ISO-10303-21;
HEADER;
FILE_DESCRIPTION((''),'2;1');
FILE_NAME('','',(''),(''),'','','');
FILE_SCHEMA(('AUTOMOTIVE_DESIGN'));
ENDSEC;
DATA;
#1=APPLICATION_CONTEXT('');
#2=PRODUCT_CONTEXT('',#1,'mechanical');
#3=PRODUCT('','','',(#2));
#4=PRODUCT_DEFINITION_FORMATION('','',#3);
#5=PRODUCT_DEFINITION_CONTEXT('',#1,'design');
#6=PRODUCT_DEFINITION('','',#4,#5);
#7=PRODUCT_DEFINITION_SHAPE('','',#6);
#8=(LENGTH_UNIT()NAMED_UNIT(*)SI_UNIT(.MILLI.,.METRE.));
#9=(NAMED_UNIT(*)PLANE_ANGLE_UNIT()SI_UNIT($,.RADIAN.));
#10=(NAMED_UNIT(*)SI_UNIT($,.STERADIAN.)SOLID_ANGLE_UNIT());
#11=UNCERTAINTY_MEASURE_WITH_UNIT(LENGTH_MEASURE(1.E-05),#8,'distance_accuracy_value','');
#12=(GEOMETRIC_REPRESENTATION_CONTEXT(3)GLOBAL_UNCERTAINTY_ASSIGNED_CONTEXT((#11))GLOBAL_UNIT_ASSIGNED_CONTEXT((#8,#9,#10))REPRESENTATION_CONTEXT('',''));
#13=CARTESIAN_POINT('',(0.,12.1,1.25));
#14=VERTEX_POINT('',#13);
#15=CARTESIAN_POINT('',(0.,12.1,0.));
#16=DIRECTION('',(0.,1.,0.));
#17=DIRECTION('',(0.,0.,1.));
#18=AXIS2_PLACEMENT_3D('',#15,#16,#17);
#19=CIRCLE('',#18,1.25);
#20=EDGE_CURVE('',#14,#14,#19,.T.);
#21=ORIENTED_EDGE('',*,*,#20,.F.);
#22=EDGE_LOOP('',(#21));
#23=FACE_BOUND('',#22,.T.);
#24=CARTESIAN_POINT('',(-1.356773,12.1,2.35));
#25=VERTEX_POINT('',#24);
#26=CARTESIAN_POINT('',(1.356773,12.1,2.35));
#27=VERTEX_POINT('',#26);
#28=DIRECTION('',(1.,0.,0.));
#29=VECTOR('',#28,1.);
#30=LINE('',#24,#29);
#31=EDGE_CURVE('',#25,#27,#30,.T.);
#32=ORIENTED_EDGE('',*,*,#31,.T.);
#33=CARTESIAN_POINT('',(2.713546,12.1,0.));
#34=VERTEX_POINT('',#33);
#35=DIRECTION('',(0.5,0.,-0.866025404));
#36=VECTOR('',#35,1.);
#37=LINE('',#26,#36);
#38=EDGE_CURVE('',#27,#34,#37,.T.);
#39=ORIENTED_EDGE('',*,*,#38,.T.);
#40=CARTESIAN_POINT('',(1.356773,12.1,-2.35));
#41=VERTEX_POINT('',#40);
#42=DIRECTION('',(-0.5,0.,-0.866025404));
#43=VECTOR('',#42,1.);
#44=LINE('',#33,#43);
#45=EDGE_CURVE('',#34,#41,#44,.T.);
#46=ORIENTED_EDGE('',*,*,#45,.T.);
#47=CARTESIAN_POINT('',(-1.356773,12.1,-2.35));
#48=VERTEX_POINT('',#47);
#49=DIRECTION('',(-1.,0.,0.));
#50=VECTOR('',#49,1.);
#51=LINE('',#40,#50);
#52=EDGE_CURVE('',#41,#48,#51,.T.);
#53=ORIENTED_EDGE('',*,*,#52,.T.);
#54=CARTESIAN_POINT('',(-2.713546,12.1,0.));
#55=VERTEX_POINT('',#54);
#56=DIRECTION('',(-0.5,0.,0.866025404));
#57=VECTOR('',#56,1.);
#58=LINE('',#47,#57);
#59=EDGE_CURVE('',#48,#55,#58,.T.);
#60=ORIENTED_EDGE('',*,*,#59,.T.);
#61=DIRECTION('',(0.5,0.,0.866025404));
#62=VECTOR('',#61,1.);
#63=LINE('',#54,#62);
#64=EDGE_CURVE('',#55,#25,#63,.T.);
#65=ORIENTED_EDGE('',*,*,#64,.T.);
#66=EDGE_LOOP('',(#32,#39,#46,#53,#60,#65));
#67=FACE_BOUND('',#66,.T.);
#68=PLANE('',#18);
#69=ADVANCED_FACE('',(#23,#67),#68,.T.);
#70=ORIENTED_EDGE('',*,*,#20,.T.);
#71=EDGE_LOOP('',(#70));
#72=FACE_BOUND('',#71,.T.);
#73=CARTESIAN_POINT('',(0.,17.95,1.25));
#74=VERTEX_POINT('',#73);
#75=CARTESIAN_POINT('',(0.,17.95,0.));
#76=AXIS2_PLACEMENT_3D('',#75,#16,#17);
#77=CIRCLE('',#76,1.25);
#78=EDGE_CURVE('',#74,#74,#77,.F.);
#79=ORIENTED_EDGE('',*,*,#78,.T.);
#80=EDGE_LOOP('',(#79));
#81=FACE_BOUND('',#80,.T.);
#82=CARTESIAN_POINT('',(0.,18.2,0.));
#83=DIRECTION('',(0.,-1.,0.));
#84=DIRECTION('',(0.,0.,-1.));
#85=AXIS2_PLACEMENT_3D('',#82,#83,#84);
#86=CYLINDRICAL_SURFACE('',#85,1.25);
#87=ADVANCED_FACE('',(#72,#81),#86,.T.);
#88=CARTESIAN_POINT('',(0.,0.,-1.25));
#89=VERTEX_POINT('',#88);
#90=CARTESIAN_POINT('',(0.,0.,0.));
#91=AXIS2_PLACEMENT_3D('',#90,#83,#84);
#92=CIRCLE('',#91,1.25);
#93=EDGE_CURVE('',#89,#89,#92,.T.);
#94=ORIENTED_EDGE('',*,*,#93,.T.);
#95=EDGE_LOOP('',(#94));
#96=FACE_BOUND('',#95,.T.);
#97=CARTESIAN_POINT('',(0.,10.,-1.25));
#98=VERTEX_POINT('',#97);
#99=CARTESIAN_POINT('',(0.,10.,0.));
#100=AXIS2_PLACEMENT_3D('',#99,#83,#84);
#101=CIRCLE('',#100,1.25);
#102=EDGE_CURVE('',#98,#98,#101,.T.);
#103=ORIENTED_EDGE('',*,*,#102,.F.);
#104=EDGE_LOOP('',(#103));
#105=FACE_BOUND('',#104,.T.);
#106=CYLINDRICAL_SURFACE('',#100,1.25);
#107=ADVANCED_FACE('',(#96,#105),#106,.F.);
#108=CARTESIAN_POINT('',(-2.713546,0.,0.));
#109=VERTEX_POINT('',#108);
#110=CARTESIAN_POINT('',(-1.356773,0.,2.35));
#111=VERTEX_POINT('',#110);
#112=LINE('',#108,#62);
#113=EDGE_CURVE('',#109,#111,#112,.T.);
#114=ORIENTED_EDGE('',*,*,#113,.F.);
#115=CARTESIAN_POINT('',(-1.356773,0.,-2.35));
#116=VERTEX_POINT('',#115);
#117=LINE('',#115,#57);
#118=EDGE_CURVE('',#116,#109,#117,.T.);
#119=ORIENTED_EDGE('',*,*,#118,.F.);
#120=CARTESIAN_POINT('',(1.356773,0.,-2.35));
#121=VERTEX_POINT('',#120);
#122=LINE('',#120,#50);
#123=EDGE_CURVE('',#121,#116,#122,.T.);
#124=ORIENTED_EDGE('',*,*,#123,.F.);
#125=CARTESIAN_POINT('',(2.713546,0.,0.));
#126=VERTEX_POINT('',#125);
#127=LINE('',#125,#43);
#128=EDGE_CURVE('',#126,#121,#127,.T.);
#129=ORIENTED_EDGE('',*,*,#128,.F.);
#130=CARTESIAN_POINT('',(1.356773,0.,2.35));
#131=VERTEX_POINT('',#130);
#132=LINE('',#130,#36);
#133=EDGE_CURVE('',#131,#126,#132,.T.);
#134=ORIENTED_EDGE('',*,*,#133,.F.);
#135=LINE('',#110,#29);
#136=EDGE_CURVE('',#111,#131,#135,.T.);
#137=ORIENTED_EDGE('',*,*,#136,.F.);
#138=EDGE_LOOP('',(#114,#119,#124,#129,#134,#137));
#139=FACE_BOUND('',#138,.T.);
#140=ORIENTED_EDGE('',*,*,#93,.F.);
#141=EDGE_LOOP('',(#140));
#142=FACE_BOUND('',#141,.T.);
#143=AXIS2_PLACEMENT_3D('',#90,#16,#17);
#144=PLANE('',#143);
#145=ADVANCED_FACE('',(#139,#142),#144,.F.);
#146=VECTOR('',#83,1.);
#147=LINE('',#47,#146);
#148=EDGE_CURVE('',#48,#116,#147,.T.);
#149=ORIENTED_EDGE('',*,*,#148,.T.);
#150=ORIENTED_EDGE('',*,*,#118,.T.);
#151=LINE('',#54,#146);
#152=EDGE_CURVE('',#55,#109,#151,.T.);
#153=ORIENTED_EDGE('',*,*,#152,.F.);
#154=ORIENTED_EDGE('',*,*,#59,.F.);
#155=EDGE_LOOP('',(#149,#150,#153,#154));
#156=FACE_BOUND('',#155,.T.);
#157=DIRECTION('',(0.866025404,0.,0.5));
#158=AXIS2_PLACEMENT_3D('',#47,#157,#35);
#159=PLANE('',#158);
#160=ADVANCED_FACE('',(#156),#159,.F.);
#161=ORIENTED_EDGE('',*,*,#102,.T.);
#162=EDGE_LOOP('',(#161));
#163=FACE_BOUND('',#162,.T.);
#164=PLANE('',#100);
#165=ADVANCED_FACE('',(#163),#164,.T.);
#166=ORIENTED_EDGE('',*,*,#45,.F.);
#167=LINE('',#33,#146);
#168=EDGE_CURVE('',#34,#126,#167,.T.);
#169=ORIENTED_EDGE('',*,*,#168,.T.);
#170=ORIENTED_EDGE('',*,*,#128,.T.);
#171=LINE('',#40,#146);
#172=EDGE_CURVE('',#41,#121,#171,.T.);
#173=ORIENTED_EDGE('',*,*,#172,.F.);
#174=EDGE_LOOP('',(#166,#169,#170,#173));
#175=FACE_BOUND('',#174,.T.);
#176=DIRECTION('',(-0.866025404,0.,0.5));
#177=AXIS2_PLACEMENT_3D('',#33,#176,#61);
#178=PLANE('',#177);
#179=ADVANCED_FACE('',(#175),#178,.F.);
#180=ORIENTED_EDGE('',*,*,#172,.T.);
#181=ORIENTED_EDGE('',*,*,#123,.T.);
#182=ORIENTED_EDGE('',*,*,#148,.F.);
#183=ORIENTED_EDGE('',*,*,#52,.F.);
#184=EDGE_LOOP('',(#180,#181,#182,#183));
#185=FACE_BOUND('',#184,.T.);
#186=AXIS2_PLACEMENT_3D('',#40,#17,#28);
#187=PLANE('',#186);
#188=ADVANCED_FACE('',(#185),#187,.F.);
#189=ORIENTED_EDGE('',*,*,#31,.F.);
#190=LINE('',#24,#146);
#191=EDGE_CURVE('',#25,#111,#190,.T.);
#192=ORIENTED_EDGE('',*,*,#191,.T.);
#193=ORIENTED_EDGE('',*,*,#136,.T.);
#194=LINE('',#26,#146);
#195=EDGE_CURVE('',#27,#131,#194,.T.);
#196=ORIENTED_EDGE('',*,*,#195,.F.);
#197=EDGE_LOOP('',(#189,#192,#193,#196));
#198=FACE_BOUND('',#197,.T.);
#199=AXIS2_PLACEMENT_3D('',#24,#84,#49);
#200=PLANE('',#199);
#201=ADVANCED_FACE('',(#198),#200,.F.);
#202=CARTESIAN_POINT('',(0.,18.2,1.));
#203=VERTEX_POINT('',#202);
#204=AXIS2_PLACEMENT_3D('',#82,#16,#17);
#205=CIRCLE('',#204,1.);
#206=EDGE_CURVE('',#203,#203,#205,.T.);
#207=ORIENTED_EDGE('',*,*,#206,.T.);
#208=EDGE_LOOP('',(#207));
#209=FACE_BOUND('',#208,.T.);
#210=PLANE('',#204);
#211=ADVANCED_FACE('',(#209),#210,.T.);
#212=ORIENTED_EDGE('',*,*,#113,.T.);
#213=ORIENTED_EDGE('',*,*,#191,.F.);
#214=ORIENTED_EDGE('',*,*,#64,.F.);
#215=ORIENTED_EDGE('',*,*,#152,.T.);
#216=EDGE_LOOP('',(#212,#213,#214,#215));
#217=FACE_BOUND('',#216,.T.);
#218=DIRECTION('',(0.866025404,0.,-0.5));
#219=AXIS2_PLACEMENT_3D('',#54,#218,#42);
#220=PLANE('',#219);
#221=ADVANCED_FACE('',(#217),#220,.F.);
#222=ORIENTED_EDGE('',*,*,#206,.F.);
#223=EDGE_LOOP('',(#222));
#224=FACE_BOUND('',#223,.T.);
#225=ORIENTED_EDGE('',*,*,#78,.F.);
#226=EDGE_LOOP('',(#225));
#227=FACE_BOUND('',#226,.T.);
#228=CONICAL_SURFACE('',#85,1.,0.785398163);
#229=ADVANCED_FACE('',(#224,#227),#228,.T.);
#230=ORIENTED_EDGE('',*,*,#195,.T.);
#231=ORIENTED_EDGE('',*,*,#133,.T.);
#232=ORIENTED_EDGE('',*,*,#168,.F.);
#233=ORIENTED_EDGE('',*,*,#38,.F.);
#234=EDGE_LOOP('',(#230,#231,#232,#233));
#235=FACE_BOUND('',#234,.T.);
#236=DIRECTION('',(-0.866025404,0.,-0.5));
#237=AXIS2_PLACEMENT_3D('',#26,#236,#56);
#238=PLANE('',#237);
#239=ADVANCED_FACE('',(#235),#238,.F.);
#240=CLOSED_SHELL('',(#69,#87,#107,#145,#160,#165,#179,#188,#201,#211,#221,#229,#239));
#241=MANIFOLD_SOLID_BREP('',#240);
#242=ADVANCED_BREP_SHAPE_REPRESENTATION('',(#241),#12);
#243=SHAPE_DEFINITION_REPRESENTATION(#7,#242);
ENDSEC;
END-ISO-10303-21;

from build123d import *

# Parameters (mm, degrees)
BOSS_EXTRUDE1_DEPTH = 12.1
SKETCH2_R           = 1.25
BOSS_EXTRUDE2_DEPTH = 6.1
CHAMFER1_SIZE       = 0.25
SKETCH3_R           = 1.25
CUT_EXTRUDE1_DEPTH  = 10


with BuildPart() as part:
    # Sketch1 → Boss-Extrude1 (new body)
    with BuildSketch(Plane(origin=(0, 0, 0), x_dir=(1, 0, 0), z_dir=(0, 1, 0))):
        Polygon((2.713546265, 0), (1.356773133, 2.35), (-1.356773133, 2.35), (-2.713546265, 0), (-1.356773133, -2.35), (1.356773133, -2.35), align=None)
    extrude(amount=BOSS_EXTRUDE1_DEPTH)

    # Sketch2 → Boss-Extrude2 (add)
    with BuildSketch(Plane(origin=(0, 12.1, 0), x_dir=(1, 0, 0), z_dir=(0, 1, 0))):
        with Locations(Location((0, 0, 0), (0, 0, 270))):
            Circle(SKETCH2_R)
    extrude(amount=BOSS_EXTRUDE2_DEPTH)

    # Chamfer1
    chamfer1_edges = [part.edges().sort_by_distance(p)[0] for p in [
        (0, 18.2, -1.25),
    ]]
    chamfer(chamfer1_edges, length=CHAMFER1_SIZE)

    # Sketch3 → Cut-Extrude1 (cut)
    with BuildSketch(Plane.XZ):
        with Locations(Location((0, 0, 0), (0, 0, 90))):
            Circle(SKETCH3_R)
    extrude(amount=-CUT_EXTRUDE1_DEPTH, mode=Mode.SUBTRACT)


solid = part.part
